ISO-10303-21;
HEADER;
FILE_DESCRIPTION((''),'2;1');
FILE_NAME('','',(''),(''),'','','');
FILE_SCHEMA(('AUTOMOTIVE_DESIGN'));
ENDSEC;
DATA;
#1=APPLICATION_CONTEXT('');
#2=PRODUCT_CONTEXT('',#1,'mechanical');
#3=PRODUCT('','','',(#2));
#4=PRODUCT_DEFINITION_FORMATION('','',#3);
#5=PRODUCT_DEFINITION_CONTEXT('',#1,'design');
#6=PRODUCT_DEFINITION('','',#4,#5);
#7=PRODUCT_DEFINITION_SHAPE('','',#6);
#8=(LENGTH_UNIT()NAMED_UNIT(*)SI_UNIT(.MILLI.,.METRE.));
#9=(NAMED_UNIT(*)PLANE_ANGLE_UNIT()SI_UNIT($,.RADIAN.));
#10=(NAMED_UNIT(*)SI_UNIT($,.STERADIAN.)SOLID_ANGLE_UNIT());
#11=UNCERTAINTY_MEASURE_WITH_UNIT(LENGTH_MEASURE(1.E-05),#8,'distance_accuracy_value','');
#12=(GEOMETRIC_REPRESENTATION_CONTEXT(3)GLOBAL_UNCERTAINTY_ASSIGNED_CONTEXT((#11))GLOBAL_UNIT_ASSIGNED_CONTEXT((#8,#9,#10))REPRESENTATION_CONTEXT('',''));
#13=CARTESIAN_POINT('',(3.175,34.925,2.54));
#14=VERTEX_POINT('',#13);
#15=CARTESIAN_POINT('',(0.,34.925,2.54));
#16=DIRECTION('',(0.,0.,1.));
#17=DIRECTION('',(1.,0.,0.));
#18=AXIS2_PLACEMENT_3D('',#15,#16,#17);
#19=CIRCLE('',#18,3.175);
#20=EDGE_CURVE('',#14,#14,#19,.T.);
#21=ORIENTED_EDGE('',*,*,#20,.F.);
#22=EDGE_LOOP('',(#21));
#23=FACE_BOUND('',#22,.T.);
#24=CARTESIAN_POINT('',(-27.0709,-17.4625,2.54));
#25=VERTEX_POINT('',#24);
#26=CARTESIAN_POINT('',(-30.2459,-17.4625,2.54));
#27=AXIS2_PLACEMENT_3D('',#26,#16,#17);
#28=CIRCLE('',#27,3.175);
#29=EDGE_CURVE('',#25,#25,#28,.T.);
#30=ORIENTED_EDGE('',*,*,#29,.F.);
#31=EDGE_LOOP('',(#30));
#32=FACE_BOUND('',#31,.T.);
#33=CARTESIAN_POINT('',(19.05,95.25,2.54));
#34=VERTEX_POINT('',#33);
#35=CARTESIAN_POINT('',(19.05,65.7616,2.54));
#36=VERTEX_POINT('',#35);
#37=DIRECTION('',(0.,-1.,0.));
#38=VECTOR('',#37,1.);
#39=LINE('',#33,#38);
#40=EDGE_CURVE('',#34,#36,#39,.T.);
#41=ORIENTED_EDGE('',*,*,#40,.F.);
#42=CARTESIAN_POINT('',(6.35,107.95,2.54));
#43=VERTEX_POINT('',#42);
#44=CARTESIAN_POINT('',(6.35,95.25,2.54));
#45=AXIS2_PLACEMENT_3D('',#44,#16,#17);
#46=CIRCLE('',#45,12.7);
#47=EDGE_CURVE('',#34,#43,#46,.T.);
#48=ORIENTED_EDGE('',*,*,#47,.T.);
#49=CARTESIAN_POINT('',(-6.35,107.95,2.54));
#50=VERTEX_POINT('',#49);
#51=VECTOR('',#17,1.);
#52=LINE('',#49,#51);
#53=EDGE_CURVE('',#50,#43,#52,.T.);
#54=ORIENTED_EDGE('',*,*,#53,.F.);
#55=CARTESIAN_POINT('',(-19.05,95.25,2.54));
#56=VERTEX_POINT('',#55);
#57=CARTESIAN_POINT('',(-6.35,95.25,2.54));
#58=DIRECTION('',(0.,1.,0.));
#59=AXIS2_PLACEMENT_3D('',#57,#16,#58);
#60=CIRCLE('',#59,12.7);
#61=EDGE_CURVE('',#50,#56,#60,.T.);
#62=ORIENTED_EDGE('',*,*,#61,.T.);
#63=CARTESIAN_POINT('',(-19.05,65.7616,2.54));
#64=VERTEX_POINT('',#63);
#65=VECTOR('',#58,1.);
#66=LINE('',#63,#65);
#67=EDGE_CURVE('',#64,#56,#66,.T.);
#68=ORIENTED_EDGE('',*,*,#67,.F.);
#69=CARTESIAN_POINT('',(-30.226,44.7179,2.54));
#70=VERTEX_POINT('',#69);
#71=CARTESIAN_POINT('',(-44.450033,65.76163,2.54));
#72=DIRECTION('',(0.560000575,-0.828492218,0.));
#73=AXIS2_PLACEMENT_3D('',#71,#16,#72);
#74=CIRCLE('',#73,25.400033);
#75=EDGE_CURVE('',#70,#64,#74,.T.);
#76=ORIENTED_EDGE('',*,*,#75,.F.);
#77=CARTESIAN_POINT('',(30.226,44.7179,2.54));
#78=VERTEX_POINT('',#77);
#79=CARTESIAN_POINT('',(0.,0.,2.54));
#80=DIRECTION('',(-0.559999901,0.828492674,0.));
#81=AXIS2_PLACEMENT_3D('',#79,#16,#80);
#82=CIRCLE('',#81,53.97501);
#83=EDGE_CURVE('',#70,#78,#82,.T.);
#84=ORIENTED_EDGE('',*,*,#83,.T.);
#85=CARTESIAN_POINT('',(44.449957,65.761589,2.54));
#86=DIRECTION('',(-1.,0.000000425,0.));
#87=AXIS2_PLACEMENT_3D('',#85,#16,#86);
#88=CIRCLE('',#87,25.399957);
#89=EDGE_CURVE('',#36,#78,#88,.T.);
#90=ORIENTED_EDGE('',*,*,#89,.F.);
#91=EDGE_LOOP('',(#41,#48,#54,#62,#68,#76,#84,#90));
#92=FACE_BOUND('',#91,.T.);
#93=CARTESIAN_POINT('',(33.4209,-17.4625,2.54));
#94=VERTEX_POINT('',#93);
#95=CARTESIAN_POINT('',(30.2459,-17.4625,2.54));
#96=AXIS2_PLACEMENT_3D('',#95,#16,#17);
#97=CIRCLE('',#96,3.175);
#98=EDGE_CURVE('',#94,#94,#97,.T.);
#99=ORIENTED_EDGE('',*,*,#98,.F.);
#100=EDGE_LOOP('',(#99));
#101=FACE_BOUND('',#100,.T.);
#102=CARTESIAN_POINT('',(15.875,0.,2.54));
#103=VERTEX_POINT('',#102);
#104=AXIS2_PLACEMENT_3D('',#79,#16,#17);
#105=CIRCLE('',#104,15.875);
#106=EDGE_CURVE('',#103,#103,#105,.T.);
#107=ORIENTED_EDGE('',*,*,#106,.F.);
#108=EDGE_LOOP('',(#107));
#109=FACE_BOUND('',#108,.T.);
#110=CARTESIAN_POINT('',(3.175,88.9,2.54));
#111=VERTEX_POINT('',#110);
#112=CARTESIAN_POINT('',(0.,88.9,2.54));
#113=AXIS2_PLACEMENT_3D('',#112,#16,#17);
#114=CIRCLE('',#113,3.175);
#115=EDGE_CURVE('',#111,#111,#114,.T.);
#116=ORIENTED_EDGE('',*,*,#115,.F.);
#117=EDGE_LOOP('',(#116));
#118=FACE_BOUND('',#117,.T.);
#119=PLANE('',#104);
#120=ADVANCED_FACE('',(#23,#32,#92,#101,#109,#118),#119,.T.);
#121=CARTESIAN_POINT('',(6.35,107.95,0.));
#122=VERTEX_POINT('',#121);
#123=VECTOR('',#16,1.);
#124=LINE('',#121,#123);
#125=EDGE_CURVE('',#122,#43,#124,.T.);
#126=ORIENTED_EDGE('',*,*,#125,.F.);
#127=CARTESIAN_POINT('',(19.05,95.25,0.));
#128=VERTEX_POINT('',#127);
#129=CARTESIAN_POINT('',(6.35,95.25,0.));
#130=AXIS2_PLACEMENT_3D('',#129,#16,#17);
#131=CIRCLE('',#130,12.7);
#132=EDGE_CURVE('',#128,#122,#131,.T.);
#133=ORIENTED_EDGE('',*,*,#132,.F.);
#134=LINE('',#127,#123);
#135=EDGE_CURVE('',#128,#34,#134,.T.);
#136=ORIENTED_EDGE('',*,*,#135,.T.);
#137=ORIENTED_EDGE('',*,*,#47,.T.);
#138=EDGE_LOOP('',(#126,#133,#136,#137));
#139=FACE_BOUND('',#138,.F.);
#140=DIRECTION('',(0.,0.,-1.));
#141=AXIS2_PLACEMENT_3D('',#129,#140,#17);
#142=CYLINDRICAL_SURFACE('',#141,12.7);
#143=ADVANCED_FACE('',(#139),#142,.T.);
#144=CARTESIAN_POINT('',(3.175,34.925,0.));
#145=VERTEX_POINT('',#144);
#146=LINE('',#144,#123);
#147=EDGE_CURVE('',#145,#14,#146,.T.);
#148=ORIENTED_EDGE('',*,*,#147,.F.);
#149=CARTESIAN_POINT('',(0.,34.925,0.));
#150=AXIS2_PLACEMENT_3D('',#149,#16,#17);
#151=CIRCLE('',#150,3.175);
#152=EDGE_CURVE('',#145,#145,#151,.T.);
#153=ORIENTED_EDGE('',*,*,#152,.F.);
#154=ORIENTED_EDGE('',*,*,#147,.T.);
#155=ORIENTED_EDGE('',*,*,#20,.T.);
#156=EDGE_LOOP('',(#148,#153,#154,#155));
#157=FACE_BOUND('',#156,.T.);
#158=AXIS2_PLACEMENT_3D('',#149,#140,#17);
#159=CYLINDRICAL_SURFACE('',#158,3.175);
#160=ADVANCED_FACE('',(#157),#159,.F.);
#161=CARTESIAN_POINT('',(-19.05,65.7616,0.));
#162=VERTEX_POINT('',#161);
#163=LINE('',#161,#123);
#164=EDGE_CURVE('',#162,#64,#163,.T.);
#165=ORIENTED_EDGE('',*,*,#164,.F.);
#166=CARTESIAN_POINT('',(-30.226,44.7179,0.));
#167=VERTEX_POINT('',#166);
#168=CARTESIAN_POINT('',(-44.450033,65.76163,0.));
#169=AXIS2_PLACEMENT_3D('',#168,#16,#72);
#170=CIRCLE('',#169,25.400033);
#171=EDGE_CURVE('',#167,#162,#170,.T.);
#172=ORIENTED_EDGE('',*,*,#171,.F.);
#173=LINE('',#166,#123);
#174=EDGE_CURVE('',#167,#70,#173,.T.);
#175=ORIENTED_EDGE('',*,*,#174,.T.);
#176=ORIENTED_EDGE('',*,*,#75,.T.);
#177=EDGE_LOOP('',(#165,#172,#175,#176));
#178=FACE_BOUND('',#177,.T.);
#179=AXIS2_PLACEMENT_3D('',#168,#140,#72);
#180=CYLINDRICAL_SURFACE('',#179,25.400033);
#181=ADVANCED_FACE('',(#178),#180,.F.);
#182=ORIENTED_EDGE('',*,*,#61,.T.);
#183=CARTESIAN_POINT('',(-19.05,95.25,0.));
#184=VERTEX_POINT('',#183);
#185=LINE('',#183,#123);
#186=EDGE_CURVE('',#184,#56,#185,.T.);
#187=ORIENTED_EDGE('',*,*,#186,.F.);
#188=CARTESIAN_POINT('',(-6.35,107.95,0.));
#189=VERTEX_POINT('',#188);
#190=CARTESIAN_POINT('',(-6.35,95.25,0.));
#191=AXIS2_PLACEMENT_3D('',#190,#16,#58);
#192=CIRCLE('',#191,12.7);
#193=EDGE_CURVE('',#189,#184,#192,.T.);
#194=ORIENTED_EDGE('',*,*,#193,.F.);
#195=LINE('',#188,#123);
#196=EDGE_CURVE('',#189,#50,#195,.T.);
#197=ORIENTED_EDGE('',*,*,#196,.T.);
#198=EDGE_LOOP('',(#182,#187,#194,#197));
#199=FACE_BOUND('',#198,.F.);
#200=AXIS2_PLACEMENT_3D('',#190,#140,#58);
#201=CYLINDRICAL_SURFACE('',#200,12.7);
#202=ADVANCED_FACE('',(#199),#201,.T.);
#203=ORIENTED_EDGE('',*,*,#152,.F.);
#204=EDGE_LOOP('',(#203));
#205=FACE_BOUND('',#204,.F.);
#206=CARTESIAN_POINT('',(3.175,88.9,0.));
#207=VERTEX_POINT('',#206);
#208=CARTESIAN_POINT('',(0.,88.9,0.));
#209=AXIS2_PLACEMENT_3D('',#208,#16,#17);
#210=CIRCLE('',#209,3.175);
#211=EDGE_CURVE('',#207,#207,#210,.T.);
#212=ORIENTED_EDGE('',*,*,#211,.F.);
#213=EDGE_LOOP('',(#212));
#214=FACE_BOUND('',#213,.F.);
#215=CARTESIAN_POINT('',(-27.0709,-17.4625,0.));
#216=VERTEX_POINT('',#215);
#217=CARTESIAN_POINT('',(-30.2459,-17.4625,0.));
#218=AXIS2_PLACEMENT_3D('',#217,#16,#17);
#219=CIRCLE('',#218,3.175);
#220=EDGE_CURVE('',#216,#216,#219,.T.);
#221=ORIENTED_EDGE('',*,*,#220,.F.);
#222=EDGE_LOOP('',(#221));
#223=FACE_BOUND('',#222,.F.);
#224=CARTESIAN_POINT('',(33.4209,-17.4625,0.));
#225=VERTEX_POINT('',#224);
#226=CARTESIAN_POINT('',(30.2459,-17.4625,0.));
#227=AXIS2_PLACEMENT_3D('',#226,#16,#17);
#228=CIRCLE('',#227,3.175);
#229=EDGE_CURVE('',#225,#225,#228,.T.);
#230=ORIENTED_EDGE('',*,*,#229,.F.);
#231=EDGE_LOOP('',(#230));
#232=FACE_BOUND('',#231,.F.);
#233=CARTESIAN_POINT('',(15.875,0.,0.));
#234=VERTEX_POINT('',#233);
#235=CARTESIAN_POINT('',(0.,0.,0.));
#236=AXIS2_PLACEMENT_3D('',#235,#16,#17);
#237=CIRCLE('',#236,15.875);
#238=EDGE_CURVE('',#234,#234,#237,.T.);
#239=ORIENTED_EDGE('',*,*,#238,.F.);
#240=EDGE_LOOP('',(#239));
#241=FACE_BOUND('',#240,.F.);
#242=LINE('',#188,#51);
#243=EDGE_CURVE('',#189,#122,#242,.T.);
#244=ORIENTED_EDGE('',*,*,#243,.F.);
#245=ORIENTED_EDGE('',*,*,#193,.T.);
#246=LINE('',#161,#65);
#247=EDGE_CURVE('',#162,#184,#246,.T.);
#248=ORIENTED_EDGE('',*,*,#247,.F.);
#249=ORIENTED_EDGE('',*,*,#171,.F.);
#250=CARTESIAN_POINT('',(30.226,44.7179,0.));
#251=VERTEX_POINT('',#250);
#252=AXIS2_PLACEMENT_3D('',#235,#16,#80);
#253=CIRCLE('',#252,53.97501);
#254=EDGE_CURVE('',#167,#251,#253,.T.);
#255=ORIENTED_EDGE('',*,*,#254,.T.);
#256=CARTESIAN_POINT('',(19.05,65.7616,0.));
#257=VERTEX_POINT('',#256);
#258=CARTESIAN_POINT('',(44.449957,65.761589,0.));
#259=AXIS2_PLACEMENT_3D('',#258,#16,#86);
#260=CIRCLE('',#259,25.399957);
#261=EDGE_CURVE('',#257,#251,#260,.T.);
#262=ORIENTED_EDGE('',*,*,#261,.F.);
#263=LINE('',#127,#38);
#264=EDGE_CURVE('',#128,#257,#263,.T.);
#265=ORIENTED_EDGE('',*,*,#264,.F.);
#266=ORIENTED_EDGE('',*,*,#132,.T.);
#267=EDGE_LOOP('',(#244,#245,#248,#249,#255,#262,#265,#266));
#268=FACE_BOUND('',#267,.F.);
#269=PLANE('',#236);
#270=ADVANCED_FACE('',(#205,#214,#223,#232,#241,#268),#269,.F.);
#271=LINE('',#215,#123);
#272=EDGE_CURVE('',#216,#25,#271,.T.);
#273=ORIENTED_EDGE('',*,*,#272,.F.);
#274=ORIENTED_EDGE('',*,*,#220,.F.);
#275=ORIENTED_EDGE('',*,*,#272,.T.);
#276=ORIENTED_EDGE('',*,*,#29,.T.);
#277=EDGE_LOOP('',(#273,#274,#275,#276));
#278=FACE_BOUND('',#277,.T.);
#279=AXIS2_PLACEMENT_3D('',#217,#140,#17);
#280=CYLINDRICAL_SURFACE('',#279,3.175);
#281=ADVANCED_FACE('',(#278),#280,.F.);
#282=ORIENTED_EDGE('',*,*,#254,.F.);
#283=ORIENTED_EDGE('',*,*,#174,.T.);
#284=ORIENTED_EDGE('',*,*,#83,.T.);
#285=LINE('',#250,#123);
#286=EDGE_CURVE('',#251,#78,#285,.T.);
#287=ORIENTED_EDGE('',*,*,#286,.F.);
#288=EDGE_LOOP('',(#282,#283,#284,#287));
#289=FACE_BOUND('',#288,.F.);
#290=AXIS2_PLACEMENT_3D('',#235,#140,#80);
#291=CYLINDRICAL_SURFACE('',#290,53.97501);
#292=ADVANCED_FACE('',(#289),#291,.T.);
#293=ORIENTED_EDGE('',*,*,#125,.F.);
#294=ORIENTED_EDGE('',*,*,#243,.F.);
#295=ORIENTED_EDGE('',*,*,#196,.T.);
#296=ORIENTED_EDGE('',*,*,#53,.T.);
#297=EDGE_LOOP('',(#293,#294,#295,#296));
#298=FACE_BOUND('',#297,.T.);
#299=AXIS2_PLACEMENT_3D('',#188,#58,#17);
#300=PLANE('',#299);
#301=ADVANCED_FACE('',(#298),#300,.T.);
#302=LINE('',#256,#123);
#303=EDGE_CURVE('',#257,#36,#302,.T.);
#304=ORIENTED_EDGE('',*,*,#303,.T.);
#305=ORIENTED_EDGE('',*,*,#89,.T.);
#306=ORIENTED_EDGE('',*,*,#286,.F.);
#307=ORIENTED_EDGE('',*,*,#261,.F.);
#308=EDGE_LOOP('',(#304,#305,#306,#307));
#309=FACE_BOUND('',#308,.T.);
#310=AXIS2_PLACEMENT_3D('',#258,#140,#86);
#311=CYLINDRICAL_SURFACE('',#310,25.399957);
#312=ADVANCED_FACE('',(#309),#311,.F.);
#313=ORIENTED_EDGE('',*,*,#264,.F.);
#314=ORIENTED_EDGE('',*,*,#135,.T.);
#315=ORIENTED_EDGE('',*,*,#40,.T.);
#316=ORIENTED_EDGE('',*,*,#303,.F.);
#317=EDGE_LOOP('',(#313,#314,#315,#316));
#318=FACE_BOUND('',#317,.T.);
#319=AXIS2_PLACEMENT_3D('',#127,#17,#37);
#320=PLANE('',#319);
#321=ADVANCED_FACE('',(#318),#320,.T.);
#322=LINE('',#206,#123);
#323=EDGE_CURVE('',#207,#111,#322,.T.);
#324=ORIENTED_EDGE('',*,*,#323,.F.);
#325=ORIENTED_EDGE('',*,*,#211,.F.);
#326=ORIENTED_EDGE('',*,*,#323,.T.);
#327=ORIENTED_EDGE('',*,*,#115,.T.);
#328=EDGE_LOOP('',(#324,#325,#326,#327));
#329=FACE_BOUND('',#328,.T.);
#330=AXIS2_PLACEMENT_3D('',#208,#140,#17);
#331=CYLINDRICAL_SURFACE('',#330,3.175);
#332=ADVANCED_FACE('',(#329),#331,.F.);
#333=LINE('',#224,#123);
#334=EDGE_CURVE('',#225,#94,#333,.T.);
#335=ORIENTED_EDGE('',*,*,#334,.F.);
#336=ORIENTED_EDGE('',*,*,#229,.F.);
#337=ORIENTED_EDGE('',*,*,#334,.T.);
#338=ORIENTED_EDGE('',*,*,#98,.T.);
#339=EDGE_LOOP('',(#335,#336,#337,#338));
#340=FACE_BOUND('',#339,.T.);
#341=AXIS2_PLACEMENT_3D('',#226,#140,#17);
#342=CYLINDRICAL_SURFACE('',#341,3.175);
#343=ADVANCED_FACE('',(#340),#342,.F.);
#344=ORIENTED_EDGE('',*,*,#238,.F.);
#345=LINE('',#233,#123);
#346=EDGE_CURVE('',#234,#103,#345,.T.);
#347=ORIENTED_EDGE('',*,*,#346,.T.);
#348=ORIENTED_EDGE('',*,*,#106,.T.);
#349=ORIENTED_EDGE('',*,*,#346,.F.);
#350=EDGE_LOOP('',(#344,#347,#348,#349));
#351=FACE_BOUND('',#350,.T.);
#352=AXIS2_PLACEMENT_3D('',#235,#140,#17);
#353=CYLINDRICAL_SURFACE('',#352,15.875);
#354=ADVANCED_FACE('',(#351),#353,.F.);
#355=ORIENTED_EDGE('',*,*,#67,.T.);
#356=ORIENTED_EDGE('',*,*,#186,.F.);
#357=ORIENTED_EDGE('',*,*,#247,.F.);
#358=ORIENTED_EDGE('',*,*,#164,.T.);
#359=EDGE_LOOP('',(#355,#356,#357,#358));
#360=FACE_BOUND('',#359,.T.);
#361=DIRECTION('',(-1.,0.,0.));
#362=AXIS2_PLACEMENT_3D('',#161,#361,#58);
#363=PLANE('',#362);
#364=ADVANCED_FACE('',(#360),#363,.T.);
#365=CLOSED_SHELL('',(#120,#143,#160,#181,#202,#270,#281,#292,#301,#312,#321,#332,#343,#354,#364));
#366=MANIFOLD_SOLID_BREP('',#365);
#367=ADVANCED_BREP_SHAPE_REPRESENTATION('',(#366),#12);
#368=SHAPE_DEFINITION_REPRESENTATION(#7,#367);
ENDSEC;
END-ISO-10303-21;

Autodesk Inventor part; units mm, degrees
ref_plane "YZ Plane" through (0, 0, 0) normal (1, 0, 0) x (0, 1, 0)
ref_plane "XZ Plane" through (0, 0, 0) normal (0, 1, 0) x (-1, 0, 0)
ref_plane "XY Plane" through (0, 0, 0) normal (0, 0, 1) x (1, 0, 0)
sketch "Sketch1" plane through (0, 0, 0) normal (0, 0, 1) x (1, 0, 0)
  circle A0 centre (0, 0) radius 15.875
  arc A1 (-30.226, 44.7179) -> (30.226, 44.7179) centre (0, 0) ccw
  circle A2 centre (0, 0) radius 22.5683 construction
  circle A3 centre (0, 0) radius 34.925 construction
  circle A4 centre (0, 34.925) radius 3.175
  line L0 (0, 41.275) -> (0, 0) construction
  line L1 (-19.05, 65.7616) -> (-19.05, 95.25)
  line L2 (-6.35, 107.95) -> (6.35, 107.95)
  line L3 (19.05, 95.25) -> (19.05, 65.7616)
  line L4 (0, 0) -> (0, 107.95) construction
  circle A5 centre (0, 88.9) radius 3.175
  circle A6 centre (-30.2459, -17.4625) radius 3.175
  circle A7 centre (30.2459, -17.4625) radius 3.175
  arc A8 (-30.226, 44.7179) -> (-19.05, 65.7616) centre (-44.45, 65.7616) ccw
  arc A9 (19.05, 65.7616) -> (30.226, 44.7179) centre (44.45, 65.7616) ccw
  arc A10 (-6.35, 107.95) -> (-19.05, 95.25) centre (-6.35, 95.25) ccw
  arc A11 (19.05, 95.25) -> (6.35, 107.95) centre (6.35, 95.25) ccw
  point P0 (-19.05, 107.95)
  point P1 (19.05, 107.95)
  point P2 (19.05, 50.5015)
  point P3 (-19.05, 50.5015)
  dimension "d0" = 107.95
  dimension "d2" = 31.75
  dimension "d6" = 6.35
  dimension "d14" = 19.05
  dimension "d15" = 6.35
  dimension "d16" = 19.05
  dimension "d18" = 88.9
  dimension "d22" = 360
  dimension "d26" = 25.4
  dimension "d29" = 12.7
  dimension "d30" = 19.05
extrude "Extrusion1" add sketch "Sketch1" along normal blind 2.54
properties part number "door_clamp"
